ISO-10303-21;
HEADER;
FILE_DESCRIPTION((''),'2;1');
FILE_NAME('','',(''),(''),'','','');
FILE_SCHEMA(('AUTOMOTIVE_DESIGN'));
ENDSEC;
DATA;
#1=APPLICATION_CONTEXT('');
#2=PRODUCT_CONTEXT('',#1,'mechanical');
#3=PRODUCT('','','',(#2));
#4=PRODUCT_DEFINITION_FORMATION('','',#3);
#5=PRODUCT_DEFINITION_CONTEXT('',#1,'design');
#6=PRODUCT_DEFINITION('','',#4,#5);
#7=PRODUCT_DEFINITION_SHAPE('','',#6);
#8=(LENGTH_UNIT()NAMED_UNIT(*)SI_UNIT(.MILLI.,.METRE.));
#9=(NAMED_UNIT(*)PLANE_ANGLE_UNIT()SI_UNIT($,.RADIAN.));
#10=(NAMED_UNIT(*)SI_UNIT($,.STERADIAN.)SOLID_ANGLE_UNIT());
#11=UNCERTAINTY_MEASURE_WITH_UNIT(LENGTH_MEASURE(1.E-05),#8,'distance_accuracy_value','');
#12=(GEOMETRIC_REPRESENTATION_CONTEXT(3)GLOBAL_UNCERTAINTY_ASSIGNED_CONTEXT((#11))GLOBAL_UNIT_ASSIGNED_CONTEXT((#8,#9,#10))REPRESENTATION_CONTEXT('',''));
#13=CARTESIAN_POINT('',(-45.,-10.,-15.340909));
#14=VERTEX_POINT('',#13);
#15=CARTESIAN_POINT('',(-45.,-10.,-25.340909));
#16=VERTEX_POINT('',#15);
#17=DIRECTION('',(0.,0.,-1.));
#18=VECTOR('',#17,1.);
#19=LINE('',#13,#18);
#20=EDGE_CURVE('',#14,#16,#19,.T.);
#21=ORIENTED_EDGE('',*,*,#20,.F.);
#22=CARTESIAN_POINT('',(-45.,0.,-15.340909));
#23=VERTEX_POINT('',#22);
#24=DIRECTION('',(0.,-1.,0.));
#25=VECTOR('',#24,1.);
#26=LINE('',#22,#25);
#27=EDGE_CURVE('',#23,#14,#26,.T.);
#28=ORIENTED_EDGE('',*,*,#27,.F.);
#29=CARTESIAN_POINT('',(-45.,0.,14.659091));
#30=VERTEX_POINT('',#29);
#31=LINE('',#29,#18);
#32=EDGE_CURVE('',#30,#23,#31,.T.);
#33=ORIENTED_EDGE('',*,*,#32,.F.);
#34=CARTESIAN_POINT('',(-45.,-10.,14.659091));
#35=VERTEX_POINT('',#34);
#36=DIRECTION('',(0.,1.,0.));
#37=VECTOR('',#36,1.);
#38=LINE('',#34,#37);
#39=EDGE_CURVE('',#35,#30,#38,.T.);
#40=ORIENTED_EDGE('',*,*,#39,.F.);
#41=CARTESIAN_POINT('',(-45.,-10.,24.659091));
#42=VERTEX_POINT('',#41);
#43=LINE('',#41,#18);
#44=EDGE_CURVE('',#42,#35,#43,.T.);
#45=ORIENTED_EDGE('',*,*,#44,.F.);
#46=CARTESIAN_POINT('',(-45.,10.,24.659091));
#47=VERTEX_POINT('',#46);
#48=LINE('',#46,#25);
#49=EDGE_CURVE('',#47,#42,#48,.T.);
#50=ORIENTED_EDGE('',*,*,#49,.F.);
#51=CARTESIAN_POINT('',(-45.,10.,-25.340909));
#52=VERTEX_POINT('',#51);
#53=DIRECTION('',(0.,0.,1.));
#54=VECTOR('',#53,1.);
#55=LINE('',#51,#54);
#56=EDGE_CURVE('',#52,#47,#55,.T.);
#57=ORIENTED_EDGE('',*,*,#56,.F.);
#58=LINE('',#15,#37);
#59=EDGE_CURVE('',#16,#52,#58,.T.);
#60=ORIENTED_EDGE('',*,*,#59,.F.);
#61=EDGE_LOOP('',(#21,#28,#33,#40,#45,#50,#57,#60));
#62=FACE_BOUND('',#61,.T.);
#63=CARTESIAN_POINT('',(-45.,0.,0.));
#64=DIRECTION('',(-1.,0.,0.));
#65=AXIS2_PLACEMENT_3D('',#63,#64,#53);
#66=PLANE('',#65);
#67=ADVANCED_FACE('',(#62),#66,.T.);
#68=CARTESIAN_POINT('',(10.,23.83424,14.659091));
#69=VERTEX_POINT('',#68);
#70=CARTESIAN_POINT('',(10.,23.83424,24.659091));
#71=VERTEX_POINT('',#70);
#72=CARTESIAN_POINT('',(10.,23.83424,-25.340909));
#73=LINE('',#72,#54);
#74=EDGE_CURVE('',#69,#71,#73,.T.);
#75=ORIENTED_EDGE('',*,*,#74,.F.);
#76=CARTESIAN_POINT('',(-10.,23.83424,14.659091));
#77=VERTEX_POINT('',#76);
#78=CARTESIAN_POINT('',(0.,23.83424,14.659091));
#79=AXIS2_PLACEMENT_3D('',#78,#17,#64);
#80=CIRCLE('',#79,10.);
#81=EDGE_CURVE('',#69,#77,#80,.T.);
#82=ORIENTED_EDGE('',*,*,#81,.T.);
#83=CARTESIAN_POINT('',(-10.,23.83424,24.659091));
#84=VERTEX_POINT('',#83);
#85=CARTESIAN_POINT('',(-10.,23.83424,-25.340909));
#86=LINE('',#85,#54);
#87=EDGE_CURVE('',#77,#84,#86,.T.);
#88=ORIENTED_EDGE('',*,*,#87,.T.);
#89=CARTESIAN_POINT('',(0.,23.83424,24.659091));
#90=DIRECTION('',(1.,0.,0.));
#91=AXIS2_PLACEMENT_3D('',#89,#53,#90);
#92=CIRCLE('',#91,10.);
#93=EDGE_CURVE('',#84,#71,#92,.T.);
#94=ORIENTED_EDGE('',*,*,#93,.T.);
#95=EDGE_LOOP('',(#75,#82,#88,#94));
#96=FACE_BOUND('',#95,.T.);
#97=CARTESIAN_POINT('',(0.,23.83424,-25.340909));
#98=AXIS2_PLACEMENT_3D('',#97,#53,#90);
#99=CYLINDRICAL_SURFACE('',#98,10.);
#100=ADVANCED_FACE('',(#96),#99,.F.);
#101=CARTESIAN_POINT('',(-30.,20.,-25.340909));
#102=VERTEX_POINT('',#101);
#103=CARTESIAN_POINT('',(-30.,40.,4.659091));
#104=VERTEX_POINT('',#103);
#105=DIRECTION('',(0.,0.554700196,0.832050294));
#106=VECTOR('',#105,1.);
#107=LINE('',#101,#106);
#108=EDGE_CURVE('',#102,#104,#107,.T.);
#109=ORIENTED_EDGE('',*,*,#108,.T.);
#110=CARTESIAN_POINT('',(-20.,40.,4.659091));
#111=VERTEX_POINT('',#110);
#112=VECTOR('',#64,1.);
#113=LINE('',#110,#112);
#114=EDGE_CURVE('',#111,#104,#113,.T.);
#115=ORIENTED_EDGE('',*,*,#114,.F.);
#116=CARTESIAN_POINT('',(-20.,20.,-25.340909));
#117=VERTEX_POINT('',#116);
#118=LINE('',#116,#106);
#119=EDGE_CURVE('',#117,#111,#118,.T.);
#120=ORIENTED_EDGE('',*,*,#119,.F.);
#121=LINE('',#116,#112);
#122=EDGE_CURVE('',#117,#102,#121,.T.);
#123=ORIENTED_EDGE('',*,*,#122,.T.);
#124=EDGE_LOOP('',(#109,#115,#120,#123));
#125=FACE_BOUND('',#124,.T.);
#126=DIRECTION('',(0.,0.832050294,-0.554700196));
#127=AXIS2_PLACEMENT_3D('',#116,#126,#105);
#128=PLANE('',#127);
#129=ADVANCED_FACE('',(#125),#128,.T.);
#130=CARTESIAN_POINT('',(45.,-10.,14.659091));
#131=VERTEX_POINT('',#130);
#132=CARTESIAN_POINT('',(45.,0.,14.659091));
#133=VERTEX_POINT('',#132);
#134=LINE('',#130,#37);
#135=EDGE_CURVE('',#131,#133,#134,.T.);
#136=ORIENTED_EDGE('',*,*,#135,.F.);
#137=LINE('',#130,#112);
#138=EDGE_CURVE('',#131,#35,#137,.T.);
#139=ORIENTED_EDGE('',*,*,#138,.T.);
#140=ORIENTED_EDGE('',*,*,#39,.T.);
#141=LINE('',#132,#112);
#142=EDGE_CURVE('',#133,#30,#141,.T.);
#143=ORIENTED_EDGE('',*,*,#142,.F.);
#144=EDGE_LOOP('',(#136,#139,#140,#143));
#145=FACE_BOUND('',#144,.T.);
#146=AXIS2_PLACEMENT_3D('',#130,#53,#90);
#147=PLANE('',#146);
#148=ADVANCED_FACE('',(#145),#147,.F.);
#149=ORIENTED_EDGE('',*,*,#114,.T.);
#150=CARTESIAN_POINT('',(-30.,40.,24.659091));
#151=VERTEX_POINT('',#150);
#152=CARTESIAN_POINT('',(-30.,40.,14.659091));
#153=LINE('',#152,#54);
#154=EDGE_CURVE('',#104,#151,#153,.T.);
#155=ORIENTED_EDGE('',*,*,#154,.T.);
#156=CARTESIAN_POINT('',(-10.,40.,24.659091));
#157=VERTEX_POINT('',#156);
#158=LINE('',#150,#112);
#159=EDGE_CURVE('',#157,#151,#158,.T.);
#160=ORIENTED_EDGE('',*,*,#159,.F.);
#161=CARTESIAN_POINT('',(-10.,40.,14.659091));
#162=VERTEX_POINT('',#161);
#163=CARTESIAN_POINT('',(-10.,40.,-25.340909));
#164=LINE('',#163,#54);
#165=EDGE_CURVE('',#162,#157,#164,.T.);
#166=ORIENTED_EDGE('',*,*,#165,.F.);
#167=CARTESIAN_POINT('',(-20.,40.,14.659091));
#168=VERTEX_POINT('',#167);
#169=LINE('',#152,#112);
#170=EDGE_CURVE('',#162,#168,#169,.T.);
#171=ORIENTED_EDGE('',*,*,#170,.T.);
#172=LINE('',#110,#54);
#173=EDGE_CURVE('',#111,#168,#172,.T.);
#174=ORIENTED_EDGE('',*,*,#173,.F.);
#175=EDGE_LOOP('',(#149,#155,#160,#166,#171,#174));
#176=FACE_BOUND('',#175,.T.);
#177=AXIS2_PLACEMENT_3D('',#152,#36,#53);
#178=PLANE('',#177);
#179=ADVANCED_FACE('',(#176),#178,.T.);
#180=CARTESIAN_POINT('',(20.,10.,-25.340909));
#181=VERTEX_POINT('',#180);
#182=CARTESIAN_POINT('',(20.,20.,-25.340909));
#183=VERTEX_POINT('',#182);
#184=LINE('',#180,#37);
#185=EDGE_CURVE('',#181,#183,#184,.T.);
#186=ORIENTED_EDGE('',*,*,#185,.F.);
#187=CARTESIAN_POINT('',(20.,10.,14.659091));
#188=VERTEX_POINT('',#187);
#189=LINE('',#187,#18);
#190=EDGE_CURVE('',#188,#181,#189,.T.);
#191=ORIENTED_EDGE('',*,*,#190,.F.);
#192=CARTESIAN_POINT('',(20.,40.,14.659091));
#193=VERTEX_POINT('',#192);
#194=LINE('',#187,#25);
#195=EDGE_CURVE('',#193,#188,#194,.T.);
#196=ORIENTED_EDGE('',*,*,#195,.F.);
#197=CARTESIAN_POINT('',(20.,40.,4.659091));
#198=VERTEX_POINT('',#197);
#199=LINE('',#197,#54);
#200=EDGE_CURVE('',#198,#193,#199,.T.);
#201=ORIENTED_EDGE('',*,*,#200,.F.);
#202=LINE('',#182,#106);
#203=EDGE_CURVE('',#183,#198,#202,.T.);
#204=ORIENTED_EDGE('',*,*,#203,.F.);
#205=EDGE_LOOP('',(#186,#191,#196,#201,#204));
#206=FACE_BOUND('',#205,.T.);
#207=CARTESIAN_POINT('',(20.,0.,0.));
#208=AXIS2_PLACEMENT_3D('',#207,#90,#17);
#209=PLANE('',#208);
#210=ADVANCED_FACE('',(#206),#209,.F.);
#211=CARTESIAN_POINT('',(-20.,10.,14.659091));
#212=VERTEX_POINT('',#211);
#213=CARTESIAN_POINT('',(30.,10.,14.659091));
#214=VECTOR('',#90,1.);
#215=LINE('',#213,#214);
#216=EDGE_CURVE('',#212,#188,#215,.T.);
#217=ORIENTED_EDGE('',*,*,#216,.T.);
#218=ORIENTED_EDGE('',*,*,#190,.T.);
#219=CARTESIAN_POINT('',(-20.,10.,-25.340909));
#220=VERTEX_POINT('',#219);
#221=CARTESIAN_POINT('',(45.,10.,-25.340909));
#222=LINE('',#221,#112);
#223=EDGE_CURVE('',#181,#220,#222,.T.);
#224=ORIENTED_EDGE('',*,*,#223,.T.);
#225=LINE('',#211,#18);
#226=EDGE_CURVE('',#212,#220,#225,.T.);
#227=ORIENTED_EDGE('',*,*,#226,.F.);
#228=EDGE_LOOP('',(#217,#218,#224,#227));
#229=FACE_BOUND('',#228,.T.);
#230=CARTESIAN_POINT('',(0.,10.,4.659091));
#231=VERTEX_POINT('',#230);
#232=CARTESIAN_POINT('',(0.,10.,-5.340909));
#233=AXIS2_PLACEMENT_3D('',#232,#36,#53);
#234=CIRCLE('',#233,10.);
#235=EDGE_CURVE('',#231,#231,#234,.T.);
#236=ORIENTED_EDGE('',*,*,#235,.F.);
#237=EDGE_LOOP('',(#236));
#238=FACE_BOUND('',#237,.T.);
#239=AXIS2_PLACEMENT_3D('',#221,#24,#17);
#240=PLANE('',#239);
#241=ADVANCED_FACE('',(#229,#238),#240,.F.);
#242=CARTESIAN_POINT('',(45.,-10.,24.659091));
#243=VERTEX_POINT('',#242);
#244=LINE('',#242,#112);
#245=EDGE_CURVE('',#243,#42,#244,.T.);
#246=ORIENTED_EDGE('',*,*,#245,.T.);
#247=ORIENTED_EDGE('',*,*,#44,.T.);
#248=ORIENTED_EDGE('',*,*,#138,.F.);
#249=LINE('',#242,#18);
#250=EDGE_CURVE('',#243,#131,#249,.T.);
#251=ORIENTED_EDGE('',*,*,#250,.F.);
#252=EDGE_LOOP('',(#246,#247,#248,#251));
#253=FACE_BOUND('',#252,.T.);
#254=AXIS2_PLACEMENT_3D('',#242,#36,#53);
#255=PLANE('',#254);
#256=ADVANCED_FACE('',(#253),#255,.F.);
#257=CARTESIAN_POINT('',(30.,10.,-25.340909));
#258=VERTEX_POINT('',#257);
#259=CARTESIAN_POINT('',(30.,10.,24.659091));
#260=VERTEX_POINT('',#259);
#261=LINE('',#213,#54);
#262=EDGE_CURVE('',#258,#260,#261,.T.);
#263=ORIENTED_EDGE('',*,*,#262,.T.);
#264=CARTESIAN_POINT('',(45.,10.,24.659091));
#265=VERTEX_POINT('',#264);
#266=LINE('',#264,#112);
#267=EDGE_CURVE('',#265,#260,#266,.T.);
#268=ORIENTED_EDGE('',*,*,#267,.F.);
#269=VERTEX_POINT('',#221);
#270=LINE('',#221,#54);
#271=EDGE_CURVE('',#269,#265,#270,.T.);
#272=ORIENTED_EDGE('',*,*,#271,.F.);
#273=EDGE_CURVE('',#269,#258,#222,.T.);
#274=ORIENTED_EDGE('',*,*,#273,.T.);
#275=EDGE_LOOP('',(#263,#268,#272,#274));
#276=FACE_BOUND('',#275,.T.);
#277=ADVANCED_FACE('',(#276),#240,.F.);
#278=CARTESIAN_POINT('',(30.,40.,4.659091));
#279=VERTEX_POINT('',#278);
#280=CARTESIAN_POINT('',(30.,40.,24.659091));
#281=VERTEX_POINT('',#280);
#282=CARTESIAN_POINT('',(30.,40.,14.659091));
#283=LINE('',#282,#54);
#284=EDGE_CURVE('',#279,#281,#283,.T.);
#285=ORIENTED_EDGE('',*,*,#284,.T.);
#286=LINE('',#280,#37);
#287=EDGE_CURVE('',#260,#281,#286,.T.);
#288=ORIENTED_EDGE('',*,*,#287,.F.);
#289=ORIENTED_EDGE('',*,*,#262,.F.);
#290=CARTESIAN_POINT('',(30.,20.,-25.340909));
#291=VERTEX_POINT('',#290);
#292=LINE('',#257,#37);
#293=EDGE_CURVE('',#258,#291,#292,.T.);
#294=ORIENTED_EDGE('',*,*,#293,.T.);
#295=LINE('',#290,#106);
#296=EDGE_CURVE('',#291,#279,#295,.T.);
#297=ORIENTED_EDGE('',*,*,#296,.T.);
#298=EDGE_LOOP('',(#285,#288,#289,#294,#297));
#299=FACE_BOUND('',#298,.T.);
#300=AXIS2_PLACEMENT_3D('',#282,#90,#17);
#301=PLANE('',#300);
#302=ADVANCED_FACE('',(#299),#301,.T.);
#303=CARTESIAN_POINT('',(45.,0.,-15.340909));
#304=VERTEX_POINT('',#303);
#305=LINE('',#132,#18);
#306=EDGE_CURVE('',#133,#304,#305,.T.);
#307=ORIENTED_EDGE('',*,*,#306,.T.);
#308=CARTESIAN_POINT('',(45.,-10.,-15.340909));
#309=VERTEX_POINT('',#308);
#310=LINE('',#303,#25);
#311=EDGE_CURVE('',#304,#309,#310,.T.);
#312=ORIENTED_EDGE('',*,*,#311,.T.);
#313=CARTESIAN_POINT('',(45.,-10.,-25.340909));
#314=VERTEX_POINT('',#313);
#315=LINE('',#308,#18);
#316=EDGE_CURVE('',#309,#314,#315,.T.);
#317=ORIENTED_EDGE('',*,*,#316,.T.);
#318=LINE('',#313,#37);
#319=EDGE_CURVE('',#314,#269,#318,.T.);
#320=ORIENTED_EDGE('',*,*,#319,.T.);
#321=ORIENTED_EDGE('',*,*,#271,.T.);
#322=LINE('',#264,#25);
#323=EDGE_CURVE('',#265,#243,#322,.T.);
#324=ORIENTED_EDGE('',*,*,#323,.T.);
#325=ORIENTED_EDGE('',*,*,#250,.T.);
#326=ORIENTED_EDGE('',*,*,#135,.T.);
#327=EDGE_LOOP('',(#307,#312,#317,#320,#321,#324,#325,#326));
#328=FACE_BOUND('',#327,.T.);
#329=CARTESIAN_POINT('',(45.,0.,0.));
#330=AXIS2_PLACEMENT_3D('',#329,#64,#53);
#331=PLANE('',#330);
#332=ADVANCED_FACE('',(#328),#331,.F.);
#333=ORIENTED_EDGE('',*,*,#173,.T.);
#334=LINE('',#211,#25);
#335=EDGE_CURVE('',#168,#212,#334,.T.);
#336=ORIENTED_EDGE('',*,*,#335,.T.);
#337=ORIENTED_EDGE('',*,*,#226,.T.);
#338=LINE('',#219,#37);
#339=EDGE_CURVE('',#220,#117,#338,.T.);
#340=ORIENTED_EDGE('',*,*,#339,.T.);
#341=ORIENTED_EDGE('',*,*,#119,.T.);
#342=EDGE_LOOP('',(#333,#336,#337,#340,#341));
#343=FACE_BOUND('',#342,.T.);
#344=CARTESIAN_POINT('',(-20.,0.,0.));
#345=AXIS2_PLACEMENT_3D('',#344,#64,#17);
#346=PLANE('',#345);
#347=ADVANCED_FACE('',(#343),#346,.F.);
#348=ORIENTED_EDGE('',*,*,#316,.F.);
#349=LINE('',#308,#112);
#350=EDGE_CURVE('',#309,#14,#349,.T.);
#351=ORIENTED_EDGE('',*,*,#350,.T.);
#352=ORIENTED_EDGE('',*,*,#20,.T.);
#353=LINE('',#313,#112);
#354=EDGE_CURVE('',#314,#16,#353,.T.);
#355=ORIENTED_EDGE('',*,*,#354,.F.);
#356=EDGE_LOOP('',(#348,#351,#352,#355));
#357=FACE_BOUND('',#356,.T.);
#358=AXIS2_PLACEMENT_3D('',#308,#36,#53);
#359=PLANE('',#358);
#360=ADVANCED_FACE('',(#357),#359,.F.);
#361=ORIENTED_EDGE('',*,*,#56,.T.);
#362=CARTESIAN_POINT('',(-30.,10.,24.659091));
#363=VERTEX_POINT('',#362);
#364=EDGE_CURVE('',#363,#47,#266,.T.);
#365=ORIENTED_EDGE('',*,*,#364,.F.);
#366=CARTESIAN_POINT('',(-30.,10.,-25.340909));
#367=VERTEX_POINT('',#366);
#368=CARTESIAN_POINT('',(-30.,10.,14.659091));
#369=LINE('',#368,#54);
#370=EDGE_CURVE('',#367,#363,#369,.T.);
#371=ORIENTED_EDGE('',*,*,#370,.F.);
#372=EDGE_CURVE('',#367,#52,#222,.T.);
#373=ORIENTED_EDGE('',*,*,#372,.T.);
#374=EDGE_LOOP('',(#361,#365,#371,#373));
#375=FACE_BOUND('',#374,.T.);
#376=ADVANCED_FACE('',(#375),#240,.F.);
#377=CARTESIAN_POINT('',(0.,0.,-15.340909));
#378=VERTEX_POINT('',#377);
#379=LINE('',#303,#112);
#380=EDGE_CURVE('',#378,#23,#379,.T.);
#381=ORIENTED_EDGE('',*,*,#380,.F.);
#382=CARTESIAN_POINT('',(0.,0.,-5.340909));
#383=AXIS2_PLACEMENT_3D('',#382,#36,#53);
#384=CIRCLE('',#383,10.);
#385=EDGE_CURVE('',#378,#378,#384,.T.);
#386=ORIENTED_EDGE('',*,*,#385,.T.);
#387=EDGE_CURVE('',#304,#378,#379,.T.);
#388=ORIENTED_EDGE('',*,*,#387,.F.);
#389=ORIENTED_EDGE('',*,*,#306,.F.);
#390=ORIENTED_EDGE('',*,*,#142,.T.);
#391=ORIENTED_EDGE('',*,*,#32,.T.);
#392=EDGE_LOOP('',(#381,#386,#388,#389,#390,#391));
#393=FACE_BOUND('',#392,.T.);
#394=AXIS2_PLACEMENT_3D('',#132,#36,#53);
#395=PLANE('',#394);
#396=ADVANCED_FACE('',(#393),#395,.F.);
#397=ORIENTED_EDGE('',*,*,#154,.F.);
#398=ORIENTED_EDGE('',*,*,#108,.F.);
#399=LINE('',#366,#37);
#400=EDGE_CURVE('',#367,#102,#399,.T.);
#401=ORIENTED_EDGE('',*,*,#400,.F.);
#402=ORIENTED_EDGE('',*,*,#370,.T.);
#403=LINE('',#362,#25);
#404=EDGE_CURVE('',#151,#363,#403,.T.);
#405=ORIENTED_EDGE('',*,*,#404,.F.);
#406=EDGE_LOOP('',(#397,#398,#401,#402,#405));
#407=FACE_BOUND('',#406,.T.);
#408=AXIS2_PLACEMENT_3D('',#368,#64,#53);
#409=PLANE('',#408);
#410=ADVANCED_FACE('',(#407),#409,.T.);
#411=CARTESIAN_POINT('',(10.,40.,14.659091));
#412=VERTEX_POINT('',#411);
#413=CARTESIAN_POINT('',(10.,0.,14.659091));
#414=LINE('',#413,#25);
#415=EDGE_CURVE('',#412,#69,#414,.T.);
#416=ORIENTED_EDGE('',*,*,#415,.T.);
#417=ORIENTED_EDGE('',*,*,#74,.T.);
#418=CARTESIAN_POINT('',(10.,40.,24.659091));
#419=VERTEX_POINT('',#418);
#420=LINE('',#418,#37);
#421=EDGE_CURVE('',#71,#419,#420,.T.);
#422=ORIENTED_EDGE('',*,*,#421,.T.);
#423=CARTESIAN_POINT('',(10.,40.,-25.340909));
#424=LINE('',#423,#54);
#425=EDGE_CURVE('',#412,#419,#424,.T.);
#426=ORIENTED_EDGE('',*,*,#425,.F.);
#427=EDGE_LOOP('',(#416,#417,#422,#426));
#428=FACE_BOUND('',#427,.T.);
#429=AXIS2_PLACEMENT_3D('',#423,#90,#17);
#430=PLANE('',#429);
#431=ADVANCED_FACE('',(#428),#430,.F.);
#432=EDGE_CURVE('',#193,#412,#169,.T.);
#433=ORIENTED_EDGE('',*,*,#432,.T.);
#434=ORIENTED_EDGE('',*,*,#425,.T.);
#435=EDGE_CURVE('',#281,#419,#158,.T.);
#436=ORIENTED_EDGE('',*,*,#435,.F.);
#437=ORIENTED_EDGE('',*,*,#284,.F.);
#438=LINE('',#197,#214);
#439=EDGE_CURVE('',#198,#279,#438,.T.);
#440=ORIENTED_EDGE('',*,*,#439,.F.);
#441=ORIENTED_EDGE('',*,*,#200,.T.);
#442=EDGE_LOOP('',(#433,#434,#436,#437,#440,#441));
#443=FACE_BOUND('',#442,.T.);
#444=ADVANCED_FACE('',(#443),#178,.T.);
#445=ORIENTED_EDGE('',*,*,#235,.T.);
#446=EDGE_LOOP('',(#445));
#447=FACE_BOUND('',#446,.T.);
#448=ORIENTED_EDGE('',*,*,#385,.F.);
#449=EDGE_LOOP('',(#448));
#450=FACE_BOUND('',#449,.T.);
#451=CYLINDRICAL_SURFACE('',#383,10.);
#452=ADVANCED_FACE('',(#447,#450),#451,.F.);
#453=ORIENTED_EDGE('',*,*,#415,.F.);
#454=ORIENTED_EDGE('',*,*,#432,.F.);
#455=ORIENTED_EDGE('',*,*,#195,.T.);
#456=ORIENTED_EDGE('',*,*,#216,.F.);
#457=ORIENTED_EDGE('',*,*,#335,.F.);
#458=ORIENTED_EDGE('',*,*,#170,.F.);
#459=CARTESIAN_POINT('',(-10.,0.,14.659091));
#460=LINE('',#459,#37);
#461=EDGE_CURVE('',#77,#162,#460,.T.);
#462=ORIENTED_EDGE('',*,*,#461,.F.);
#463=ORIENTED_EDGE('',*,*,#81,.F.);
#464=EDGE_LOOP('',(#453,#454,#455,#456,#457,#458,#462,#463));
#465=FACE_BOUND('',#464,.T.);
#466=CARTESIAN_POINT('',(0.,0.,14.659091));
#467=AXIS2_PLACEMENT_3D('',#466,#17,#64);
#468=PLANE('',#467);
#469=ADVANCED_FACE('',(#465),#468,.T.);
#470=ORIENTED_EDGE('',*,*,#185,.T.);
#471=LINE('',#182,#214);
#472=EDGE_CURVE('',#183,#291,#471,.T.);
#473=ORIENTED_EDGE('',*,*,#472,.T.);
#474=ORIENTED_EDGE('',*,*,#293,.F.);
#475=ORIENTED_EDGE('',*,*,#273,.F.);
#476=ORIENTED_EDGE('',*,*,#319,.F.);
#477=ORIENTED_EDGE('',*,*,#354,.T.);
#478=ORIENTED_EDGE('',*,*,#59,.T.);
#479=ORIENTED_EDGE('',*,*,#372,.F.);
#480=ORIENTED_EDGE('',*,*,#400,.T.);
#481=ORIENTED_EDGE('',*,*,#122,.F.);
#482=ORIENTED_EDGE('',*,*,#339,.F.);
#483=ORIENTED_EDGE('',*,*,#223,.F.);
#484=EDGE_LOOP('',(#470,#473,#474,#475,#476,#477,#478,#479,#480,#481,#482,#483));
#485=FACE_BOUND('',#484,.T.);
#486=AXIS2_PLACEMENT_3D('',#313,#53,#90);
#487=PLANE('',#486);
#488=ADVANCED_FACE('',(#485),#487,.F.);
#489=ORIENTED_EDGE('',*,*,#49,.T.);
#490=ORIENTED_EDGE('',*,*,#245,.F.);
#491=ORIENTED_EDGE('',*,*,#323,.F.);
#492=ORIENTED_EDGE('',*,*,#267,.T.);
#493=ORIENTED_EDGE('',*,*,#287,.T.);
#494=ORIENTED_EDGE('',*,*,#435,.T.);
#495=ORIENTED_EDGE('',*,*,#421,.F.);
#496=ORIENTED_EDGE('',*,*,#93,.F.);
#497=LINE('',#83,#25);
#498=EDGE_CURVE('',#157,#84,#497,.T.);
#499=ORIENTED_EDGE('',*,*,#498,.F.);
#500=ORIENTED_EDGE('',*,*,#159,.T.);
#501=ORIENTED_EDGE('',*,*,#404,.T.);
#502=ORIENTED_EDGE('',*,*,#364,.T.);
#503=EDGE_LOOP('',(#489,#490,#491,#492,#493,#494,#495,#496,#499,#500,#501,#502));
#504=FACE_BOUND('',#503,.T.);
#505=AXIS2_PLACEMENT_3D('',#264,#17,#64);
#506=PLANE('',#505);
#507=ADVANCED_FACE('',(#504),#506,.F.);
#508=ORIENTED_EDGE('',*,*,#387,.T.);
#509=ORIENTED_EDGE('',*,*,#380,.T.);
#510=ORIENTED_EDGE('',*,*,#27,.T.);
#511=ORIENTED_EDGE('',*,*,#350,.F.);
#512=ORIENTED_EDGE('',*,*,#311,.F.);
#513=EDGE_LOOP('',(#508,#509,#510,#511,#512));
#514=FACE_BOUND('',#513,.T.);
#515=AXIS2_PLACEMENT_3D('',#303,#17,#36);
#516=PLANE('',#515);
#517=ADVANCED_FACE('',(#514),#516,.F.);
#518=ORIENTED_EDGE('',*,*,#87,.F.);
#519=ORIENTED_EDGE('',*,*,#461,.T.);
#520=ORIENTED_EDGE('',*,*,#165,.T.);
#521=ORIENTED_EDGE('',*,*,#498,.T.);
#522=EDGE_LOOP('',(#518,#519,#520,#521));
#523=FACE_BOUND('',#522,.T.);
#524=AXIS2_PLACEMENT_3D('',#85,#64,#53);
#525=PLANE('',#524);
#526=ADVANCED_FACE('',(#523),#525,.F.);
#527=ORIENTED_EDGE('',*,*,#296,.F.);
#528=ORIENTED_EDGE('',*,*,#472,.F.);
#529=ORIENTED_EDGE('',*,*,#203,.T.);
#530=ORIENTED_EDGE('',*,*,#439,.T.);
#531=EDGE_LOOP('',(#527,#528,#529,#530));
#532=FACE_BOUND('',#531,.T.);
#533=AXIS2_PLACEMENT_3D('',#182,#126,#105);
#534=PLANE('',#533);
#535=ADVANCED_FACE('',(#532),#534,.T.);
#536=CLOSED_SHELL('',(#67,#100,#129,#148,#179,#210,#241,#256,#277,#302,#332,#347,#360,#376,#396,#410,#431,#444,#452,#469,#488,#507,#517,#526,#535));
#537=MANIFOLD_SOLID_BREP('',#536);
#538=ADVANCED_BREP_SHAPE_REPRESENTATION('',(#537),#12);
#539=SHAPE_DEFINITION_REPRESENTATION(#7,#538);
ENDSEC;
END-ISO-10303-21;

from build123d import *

# Parameters (mm, degrees)
BOSS_EXTRUDE1_DEPTH = 45
SKETCH2_W           = 60
SKETCH2_H           = 30
BOSS_EXTRUDE2_DEPTH = 10
CUT_EXTRUDE1_DEPTH  = 79.262379212
SKETCH4_R           = 10
CUT_EXTRUDE2_DEPTH  = 10
BOSS_EXTRUDE3_DEPTH = 10


with BuildPart() as part:
    # Sketch1 → Boss-Extrude1 (new, symmetric)
    with BuildSketch(Plane(origin=(0, 0, 0), x_dir=(0, 0, -1), z_dir=(1, 0, 0))):
        Polygon((-14.659090909, 0), (15.340909091, 0), (15.340909091, -10), (25.340909091, -10), (25.340909091, 10), (-24.659090909, 10), (-24.659090909, -10), (-14.659090909, -10), align=None)
    extrude(amount=BOSS_EXTRUDE1_DEPTH, both=True)

    # Sketch2 → Boss-Extrude2 (add)
    with BuildSketch(Plane.XY.offset(24.659090909)):
        with Locations((0, 25)):
            Rectangle(SKETCH2_W, SKETCH2_H)
    extrude(amount=-BOSS_EXTRUDE2_DEPTH)

    # Sketch3 → Cut-Extrude1 (cut, through all)
    with BuildSketch(Plane.XY.offset(24.659090909)):
        with BuildLine():
            Line((-10, 23.834240346), (-10, 40))
            Line((-10, 40), (10, 40))
            Line((10, 40), (10, 23.834240346))
            ThreePointArc((10, 23.834240346), (0, 13.834240346), (-10, 23.834240346))
        make_face()
    extrude(amount=-CUT_EXTRUDE1_DEPTH, mode=Mode.SUBTRACT)

    # Sketch4 → Cut-Extrude2 (cut)
    with BuildSketch(Plane(origin=(0, 10, 0), x_dir=(1, 0, 0), z_dir=(0, 1, 0))):
        with Locations(Location((0, 5.340909091, 0), (0, 0, 270))):
            Circle(SKETCH4_R)
    extrude(amount=-CUT_EXTRUDE2_DEPTH, mode=Mode.SUBTRACT)

    # Sketch5 → Boss-Extrude3 (add)
    with BuildSketch(Plane(origin=(30, 0, 0), x_dir=(0, 0, -1), z_dir=(1, 0, 0))):
        Polygon((-14.659090909, 10), (25.340909091, 10), (25.340909091, 20), (-4.659090909, 40), (-14.659090909, 40), align=None)
    extrude(amount=-BOSS_EXTRUDE3_DEPTH)

    # Mirror1: part across plane


with BuildPart() as part_1:
    add(part.part)
    add(part.part.mirror(Plane(origin=(0, 0, 0), x_dir=(0, 0, 1), z_dir=(1, 0, 0))))


solid = part_1.part
